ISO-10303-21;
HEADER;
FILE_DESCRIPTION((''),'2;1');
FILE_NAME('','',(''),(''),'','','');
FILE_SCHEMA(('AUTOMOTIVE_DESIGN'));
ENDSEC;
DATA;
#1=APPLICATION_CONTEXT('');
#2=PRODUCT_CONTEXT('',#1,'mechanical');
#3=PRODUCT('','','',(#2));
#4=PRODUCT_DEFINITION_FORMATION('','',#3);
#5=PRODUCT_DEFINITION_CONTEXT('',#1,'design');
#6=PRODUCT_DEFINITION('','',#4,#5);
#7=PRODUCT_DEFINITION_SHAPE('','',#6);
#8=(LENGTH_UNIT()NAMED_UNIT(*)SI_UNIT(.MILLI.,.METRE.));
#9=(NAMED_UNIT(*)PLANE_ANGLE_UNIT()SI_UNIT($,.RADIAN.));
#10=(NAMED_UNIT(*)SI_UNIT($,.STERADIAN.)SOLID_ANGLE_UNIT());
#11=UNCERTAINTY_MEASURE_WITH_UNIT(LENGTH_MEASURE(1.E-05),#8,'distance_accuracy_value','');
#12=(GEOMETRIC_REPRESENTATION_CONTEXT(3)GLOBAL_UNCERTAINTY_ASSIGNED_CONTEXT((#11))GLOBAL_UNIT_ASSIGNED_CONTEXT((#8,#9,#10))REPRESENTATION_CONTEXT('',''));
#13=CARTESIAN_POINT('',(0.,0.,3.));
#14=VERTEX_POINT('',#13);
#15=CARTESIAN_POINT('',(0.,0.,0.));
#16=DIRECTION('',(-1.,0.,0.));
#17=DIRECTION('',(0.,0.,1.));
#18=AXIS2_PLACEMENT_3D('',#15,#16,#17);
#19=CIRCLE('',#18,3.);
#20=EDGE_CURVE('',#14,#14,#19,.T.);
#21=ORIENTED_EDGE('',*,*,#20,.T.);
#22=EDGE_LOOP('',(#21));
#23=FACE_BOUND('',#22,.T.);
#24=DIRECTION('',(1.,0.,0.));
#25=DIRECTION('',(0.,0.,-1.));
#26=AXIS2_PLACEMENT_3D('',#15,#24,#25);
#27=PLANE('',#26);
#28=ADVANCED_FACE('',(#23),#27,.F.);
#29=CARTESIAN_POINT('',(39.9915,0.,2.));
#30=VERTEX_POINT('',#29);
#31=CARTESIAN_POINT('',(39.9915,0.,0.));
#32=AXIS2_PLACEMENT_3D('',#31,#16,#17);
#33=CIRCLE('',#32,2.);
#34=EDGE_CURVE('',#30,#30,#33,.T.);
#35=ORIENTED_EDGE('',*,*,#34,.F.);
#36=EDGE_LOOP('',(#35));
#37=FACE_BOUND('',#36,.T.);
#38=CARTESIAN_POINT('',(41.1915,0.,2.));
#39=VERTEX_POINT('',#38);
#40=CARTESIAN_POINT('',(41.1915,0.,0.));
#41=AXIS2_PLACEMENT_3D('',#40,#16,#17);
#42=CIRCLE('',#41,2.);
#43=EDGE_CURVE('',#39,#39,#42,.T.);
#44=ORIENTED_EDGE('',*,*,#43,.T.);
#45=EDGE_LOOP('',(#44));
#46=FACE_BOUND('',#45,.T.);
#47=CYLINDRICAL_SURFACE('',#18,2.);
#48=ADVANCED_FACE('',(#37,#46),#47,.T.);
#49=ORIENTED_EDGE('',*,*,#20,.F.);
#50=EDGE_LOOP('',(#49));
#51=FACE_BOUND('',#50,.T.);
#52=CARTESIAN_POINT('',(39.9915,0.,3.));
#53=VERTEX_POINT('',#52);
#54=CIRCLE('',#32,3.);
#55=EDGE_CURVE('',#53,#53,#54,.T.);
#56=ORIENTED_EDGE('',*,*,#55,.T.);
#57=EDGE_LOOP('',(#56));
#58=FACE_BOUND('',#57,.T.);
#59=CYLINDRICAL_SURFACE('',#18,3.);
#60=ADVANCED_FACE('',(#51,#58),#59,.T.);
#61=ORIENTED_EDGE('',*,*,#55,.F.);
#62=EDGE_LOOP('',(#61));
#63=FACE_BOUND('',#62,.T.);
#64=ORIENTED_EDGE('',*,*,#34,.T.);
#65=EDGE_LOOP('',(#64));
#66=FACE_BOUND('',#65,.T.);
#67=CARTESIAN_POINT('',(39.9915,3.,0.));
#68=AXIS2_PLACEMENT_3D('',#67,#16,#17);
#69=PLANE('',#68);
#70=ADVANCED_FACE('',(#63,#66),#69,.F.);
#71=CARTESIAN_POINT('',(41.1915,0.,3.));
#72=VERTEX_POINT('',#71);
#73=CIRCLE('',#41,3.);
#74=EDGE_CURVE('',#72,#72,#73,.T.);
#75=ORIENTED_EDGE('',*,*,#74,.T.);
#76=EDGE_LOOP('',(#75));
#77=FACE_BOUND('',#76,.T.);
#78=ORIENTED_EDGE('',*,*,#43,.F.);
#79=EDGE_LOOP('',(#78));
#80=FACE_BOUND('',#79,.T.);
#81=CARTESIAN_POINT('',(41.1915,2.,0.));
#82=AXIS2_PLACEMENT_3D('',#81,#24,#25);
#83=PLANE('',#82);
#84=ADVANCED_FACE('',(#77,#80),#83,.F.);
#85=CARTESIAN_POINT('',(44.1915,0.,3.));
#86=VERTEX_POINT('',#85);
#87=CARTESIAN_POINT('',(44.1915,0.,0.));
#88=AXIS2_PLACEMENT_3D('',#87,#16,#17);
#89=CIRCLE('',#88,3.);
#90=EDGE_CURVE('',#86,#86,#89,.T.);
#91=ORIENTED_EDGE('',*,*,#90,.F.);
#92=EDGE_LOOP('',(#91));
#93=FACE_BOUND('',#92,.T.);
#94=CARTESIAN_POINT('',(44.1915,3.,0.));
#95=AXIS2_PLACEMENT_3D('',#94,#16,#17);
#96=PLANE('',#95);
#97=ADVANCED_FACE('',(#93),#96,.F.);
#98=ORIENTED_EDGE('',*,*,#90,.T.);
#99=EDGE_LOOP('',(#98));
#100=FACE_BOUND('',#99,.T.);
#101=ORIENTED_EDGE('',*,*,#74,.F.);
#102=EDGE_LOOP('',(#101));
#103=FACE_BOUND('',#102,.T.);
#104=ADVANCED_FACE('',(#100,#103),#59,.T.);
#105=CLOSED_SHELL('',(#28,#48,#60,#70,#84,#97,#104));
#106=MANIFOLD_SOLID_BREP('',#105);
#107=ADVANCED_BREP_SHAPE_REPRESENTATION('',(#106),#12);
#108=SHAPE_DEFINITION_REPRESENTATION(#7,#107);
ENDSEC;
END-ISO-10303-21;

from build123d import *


with BuildPart() as part:
    # Sketch1 → Revolve1 (revolve)
    with BuildSketch(Plane.XY, mode=Mode.PRIVATE) as revolve1_sk:
        Polygon((0, 0), (0, 3), (39.9915, 3), (39.9915, 2), (41.1915, 2), (41.1915, 3), (44.1915, 3), (44.1915, 0), align=None)
    revolve(revolve1_sk.sketch.rotate(Axis((0, 0, 0), (1, 0, 0)), 90), axis=Axis((0, 0, 0), (1, 0, 0)))


solid = part.part
